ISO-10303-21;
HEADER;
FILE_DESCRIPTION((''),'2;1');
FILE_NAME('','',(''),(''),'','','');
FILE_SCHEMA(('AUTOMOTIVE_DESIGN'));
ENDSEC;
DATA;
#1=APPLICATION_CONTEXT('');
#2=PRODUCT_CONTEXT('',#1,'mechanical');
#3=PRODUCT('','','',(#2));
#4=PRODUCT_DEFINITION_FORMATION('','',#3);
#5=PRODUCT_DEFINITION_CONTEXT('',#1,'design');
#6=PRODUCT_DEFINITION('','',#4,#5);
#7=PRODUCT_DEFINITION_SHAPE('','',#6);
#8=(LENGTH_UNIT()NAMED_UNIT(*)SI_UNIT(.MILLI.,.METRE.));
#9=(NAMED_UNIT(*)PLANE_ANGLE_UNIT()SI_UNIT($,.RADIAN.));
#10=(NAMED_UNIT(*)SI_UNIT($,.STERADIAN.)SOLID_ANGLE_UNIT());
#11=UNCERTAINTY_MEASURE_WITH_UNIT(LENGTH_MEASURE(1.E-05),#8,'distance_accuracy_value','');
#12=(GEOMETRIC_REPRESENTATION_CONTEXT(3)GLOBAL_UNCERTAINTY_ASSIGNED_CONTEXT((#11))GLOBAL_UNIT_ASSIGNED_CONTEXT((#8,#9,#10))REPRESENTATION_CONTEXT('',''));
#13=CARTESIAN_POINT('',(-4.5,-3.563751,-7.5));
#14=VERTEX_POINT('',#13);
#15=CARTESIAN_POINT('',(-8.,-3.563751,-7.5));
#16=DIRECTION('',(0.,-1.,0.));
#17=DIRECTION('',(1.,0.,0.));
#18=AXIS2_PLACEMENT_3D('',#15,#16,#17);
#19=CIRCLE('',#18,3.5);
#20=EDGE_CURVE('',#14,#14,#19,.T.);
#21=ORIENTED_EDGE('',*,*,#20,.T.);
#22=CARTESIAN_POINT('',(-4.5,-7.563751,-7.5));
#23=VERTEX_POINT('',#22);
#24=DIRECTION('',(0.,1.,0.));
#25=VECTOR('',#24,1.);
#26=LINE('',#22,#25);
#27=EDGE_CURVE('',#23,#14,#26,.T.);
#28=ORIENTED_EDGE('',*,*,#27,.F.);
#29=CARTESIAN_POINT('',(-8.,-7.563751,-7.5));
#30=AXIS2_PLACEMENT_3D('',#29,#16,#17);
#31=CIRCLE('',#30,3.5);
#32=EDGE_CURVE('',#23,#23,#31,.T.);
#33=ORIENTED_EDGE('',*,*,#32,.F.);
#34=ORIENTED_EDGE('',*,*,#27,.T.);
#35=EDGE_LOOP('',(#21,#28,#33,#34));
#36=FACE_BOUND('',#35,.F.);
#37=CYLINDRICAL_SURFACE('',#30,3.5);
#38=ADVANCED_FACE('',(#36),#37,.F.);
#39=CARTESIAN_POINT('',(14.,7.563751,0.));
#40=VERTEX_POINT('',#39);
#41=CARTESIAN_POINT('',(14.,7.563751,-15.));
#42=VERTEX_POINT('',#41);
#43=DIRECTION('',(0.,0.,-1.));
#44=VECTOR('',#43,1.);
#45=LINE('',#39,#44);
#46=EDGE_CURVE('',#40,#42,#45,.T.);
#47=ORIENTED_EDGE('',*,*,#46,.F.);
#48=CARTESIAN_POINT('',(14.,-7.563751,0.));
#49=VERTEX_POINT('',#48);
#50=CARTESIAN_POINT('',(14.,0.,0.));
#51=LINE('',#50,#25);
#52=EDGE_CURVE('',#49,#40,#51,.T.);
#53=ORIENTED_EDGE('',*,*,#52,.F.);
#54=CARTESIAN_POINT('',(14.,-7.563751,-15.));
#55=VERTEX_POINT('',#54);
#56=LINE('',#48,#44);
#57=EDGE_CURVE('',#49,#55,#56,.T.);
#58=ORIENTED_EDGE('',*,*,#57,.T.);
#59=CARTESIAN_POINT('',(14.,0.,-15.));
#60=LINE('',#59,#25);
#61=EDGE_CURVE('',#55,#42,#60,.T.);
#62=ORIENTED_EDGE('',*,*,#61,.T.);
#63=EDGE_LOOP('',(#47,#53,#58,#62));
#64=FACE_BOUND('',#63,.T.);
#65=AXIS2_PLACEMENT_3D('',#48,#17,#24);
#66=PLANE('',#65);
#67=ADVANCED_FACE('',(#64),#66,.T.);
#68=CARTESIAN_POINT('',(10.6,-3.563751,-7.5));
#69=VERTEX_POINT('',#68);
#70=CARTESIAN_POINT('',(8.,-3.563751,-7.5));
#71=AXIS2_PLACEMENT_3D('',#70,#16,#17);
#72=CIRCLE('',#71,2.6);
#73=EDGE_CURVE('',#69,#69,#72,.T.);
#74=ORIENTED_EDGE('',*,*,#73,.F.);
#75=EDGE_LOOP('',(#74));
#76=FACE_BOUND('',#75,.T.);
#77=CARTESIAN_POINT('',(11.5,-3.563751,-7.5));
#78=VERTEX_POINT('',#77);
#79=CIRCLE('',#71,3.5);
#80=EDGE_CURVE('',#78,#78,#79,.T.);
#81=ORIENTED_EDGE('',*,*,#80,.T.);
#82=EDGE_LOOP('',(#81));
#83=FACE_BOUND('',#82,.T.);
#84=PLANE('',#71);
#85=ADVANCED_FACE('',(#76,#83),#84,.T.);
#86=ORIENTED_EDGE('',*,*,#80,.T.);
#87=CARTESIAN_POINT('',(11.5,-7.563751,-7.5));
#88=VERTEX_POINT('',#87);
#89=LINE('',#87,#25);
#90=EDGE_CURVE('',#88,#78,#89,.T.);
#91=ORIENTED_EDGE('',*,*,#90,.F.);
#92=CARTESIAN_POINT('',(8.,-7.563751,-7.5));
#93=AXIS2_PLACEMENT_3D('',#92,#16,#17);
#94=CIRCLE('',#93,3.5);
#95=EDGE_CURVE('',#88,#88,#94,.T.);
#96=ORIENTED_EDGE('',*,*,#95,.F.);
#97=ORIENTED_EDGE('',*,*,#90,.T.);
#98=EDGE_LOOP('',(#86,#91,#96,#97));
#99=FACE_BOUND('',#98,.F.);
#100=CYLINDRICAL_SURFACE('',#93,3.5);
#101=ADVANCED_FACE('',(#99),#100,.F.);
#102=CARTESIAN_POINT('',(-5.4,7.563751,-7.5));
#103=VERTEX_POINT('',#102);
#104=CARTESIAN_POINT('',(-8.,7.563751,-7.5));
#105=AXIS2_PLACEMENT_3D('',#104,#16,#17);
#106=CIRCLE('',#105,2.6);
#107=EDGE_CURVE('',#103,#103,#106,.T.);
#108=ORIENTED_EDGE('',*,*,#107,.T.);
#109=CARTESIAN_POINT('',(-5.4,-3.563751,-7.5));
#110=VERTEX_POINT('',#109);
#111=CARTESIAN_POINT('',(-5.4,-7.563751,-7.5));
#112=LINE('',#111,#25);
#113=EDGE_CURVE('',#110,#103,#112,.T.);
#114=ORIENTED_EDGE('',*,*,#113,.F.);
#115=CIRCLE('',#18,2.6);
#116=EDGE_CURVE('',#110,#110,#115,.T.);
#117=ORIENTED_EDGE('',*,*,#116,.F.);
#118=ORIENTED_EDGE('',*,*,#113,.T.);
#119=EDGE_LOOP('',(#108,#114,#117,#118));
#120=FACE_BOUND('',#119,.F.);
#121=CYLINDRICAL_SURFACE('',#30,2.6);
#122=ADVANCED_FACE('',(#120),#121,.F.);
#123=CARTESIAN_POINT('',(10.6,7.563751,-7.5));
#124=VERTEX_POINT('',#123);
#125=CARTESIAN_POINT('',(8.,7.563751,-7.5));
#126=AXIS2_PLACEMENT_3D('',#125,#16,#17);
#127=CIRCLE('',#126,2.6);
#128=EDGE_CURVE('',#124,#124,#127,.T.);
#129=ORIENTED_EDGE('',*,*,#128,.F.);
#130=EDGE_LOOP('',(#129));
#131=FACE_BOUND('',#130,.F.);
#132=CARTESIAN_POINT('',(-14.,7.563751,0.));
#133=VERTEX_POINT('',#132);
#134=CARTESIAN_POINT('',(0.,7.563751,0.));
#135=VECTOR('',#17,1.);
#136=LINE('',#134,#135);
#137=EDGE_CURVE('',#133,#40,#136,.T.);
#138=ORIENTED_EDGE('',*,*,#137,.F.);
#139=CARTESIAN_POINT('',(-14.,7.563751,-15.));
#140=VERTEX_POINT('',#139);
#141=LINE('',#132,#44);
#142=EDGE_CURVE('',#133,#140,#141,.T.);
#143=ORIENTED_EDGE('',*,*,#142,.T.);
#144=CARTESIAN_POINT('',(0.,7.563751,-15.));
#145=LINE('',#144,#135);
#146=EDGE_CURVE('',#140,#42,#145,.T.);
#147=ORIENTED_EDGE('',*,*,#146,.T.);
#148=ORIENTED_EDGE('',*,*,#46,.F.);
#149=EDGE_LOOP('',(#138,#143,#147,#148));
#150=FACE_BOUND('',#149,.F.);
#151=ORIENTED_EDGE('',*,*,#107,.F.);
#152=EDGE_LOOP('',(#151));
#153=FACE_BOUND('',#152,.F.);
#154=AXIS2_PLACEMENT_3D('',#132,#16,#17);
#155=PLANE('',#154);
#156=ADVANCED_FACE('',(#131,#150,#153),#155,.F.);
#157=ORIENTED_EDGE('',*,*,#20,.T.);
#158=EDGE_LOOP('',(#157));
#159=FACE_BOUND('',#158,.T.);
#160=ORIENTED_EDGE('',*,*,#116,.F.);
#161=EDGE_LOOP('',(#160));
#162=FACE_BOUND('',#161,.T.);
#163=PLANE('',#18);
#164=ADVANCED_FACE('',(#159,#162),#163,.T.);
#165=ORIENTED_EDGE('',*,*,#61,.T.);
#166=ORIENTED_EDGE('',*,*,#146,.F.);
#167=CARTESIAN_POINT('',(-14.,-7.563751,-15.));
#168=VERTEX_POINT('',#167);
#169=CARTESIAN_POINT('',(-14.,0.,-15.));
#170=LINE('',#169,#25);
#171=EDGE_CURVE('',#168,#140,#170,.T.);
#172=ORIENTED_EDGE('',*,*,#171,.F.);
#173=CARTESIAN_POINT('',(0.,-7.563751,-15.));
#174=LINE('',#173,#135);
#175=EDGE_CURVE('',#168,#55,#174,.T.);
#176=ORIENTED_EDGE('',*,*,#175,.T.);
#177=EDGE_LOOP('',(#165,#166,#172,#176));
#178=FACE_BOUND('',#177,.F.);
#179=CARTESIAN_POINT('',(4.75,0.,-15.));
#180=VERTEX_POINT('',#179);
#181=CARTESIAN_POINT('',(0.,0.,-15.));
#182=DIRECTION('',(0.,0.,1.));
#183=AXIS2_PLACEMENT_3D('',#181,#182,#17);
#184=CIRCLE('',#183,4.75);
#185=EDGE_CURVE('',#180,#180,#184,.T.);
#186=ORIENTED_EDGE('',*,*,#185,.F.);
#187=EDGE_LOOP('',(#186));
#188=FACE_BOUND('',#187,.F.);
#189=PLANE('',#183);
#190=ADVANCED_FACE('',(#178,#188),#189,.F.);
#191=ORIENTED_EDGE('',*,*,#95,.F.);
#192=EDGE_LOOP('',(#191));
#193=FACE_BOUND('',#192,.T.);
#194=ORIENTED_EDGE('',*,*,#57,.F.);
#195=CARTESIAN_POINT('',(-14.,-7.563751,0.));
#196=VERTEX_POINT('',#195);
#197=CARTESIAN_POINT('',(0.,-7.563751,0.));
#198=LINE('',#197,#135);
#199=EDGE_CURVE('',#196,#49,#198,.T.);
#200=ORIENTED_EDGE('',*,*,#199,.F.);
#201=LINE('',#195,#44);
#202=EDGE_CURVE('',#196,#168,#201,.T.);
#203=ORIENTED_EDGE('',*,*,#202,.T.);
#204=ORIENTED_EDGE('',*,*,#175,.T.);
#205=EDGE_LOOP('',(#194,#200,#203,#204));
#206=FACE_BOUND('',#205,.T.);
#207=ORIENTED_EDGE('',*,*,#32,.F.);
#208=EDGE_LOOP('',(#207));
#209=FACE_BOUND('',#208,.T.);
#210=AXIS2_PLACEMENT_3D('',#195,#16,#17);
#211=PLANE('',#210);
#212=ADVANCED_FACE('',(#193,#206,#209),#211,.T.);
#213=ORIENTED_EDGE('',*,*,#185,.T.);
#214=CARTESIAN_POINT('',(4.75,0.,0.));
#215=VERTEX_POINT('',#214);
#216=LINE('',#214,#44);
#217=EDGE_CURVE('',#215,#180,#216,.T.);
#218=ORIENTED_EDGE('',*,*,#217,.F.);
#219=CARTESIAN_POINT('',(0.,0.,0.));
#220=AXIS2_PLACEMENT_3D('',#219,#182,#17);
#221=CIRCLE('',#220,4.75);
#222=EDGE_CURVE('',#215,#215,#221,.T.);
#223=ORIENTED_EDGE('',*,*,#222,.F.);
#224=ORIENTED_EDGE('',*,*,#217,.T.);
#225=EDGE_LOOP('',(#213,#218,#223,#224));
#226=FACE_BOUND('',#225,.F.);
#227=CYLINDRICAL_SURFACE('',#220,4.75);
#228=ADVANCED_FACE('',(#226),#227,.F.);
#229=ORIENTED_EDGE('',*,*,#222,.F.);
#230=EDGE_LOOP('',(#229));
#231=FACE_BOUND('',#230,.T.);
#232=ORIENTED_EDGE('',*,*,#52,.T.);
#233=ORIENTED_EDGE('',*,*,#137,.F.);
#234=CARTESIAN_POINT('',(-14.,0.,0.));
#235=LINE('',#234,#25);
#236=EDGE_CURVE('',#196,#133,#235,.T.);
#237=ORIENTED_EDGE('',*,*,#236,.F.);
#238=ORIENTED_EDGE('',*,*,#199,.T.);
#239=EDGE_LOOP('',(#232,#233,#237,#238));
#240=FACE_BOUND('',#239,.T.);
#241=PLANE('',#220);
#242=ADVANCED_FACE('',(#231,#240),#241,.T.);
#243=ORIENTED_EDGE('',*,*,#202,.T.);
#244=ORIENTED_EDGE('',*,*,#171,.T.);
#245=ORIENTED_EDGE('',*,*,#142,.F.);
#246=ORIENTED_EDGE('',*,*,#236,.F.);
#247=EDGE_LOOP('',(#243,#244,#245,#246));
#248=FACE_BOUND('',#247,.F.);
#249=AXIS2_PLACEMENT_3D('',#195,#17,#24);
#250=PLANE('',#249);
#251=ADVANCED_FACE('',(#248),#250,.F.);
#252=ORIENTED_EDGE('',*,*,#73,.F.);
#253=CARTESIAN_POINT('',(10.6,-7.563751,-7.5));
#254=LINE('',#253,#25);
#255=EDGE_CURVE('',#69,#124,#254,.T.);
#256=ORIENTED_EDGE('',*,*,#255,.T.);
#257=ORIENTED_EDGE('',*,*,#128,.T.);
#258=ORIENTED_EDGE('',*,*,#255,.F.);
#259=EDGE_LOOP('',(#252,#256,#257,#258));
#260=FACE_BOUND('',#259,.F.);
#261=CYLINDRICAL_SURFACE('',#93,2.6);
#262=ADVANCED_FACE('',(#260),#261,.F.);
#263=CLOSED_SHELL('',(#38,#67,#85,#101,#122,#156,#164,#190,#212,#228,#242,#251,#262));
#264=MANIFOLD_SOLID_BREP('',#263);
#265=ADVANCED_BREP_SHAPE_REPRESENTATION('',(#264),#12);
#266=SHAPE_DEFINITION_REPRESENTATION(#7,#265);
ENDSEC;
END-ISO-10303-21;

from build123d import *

# Parameters (mm, degrees)
F0_W     = 28
F0_H     = 15.127502
F0_R     = 4.75
F1_DEPTH = 15
F2_R     = 2.6
F3_DEPTH = 25
F2_R_2   = 3.5
F4_DEPTH = 4


with BuildPart() as f1:
    # F0 (on Top) → F1 (new body)
    with BuildSketch(Plane.XY):
        Rectangle(F0_W, F0_H)
        Circle(F0_R, mode=Mode.SUBTRACT)
    extrude(amount=-F1_DEPTH)

    # F2 (on face) → F3 (cut)
    with BuildSketch(Plane.XZ.offset(7.563751)):
        with Locations((-8, -7.5)):
            Circle(F2_R)
        with Locations((8, -7.5)):
            Circle(F2_R)
    extrude(amount=-F3_DEPTH, mode=Mode.SUBTRACT)

    # F2 (on face) → F4 (cut)
    with BuildSketch(Plane.XZ.offset(7.563751)):
        with Locations((-8, -7.5)):
            Circle(F2_R_2)
        with Locations((-8, -7.5)):
            Circle(F2_R, mode=Mode.SUBTRACT)
        with Locations((8, -7.5)):
            Circle(F2_R_2)
        with Locations((8, -7.5)):
            Circle(F2_R, mode=Mode.SUBTRACT)
    extrude(amount=-F4_DEPTH, mode=Mode.SUBTRACT)


solid = f1.part
